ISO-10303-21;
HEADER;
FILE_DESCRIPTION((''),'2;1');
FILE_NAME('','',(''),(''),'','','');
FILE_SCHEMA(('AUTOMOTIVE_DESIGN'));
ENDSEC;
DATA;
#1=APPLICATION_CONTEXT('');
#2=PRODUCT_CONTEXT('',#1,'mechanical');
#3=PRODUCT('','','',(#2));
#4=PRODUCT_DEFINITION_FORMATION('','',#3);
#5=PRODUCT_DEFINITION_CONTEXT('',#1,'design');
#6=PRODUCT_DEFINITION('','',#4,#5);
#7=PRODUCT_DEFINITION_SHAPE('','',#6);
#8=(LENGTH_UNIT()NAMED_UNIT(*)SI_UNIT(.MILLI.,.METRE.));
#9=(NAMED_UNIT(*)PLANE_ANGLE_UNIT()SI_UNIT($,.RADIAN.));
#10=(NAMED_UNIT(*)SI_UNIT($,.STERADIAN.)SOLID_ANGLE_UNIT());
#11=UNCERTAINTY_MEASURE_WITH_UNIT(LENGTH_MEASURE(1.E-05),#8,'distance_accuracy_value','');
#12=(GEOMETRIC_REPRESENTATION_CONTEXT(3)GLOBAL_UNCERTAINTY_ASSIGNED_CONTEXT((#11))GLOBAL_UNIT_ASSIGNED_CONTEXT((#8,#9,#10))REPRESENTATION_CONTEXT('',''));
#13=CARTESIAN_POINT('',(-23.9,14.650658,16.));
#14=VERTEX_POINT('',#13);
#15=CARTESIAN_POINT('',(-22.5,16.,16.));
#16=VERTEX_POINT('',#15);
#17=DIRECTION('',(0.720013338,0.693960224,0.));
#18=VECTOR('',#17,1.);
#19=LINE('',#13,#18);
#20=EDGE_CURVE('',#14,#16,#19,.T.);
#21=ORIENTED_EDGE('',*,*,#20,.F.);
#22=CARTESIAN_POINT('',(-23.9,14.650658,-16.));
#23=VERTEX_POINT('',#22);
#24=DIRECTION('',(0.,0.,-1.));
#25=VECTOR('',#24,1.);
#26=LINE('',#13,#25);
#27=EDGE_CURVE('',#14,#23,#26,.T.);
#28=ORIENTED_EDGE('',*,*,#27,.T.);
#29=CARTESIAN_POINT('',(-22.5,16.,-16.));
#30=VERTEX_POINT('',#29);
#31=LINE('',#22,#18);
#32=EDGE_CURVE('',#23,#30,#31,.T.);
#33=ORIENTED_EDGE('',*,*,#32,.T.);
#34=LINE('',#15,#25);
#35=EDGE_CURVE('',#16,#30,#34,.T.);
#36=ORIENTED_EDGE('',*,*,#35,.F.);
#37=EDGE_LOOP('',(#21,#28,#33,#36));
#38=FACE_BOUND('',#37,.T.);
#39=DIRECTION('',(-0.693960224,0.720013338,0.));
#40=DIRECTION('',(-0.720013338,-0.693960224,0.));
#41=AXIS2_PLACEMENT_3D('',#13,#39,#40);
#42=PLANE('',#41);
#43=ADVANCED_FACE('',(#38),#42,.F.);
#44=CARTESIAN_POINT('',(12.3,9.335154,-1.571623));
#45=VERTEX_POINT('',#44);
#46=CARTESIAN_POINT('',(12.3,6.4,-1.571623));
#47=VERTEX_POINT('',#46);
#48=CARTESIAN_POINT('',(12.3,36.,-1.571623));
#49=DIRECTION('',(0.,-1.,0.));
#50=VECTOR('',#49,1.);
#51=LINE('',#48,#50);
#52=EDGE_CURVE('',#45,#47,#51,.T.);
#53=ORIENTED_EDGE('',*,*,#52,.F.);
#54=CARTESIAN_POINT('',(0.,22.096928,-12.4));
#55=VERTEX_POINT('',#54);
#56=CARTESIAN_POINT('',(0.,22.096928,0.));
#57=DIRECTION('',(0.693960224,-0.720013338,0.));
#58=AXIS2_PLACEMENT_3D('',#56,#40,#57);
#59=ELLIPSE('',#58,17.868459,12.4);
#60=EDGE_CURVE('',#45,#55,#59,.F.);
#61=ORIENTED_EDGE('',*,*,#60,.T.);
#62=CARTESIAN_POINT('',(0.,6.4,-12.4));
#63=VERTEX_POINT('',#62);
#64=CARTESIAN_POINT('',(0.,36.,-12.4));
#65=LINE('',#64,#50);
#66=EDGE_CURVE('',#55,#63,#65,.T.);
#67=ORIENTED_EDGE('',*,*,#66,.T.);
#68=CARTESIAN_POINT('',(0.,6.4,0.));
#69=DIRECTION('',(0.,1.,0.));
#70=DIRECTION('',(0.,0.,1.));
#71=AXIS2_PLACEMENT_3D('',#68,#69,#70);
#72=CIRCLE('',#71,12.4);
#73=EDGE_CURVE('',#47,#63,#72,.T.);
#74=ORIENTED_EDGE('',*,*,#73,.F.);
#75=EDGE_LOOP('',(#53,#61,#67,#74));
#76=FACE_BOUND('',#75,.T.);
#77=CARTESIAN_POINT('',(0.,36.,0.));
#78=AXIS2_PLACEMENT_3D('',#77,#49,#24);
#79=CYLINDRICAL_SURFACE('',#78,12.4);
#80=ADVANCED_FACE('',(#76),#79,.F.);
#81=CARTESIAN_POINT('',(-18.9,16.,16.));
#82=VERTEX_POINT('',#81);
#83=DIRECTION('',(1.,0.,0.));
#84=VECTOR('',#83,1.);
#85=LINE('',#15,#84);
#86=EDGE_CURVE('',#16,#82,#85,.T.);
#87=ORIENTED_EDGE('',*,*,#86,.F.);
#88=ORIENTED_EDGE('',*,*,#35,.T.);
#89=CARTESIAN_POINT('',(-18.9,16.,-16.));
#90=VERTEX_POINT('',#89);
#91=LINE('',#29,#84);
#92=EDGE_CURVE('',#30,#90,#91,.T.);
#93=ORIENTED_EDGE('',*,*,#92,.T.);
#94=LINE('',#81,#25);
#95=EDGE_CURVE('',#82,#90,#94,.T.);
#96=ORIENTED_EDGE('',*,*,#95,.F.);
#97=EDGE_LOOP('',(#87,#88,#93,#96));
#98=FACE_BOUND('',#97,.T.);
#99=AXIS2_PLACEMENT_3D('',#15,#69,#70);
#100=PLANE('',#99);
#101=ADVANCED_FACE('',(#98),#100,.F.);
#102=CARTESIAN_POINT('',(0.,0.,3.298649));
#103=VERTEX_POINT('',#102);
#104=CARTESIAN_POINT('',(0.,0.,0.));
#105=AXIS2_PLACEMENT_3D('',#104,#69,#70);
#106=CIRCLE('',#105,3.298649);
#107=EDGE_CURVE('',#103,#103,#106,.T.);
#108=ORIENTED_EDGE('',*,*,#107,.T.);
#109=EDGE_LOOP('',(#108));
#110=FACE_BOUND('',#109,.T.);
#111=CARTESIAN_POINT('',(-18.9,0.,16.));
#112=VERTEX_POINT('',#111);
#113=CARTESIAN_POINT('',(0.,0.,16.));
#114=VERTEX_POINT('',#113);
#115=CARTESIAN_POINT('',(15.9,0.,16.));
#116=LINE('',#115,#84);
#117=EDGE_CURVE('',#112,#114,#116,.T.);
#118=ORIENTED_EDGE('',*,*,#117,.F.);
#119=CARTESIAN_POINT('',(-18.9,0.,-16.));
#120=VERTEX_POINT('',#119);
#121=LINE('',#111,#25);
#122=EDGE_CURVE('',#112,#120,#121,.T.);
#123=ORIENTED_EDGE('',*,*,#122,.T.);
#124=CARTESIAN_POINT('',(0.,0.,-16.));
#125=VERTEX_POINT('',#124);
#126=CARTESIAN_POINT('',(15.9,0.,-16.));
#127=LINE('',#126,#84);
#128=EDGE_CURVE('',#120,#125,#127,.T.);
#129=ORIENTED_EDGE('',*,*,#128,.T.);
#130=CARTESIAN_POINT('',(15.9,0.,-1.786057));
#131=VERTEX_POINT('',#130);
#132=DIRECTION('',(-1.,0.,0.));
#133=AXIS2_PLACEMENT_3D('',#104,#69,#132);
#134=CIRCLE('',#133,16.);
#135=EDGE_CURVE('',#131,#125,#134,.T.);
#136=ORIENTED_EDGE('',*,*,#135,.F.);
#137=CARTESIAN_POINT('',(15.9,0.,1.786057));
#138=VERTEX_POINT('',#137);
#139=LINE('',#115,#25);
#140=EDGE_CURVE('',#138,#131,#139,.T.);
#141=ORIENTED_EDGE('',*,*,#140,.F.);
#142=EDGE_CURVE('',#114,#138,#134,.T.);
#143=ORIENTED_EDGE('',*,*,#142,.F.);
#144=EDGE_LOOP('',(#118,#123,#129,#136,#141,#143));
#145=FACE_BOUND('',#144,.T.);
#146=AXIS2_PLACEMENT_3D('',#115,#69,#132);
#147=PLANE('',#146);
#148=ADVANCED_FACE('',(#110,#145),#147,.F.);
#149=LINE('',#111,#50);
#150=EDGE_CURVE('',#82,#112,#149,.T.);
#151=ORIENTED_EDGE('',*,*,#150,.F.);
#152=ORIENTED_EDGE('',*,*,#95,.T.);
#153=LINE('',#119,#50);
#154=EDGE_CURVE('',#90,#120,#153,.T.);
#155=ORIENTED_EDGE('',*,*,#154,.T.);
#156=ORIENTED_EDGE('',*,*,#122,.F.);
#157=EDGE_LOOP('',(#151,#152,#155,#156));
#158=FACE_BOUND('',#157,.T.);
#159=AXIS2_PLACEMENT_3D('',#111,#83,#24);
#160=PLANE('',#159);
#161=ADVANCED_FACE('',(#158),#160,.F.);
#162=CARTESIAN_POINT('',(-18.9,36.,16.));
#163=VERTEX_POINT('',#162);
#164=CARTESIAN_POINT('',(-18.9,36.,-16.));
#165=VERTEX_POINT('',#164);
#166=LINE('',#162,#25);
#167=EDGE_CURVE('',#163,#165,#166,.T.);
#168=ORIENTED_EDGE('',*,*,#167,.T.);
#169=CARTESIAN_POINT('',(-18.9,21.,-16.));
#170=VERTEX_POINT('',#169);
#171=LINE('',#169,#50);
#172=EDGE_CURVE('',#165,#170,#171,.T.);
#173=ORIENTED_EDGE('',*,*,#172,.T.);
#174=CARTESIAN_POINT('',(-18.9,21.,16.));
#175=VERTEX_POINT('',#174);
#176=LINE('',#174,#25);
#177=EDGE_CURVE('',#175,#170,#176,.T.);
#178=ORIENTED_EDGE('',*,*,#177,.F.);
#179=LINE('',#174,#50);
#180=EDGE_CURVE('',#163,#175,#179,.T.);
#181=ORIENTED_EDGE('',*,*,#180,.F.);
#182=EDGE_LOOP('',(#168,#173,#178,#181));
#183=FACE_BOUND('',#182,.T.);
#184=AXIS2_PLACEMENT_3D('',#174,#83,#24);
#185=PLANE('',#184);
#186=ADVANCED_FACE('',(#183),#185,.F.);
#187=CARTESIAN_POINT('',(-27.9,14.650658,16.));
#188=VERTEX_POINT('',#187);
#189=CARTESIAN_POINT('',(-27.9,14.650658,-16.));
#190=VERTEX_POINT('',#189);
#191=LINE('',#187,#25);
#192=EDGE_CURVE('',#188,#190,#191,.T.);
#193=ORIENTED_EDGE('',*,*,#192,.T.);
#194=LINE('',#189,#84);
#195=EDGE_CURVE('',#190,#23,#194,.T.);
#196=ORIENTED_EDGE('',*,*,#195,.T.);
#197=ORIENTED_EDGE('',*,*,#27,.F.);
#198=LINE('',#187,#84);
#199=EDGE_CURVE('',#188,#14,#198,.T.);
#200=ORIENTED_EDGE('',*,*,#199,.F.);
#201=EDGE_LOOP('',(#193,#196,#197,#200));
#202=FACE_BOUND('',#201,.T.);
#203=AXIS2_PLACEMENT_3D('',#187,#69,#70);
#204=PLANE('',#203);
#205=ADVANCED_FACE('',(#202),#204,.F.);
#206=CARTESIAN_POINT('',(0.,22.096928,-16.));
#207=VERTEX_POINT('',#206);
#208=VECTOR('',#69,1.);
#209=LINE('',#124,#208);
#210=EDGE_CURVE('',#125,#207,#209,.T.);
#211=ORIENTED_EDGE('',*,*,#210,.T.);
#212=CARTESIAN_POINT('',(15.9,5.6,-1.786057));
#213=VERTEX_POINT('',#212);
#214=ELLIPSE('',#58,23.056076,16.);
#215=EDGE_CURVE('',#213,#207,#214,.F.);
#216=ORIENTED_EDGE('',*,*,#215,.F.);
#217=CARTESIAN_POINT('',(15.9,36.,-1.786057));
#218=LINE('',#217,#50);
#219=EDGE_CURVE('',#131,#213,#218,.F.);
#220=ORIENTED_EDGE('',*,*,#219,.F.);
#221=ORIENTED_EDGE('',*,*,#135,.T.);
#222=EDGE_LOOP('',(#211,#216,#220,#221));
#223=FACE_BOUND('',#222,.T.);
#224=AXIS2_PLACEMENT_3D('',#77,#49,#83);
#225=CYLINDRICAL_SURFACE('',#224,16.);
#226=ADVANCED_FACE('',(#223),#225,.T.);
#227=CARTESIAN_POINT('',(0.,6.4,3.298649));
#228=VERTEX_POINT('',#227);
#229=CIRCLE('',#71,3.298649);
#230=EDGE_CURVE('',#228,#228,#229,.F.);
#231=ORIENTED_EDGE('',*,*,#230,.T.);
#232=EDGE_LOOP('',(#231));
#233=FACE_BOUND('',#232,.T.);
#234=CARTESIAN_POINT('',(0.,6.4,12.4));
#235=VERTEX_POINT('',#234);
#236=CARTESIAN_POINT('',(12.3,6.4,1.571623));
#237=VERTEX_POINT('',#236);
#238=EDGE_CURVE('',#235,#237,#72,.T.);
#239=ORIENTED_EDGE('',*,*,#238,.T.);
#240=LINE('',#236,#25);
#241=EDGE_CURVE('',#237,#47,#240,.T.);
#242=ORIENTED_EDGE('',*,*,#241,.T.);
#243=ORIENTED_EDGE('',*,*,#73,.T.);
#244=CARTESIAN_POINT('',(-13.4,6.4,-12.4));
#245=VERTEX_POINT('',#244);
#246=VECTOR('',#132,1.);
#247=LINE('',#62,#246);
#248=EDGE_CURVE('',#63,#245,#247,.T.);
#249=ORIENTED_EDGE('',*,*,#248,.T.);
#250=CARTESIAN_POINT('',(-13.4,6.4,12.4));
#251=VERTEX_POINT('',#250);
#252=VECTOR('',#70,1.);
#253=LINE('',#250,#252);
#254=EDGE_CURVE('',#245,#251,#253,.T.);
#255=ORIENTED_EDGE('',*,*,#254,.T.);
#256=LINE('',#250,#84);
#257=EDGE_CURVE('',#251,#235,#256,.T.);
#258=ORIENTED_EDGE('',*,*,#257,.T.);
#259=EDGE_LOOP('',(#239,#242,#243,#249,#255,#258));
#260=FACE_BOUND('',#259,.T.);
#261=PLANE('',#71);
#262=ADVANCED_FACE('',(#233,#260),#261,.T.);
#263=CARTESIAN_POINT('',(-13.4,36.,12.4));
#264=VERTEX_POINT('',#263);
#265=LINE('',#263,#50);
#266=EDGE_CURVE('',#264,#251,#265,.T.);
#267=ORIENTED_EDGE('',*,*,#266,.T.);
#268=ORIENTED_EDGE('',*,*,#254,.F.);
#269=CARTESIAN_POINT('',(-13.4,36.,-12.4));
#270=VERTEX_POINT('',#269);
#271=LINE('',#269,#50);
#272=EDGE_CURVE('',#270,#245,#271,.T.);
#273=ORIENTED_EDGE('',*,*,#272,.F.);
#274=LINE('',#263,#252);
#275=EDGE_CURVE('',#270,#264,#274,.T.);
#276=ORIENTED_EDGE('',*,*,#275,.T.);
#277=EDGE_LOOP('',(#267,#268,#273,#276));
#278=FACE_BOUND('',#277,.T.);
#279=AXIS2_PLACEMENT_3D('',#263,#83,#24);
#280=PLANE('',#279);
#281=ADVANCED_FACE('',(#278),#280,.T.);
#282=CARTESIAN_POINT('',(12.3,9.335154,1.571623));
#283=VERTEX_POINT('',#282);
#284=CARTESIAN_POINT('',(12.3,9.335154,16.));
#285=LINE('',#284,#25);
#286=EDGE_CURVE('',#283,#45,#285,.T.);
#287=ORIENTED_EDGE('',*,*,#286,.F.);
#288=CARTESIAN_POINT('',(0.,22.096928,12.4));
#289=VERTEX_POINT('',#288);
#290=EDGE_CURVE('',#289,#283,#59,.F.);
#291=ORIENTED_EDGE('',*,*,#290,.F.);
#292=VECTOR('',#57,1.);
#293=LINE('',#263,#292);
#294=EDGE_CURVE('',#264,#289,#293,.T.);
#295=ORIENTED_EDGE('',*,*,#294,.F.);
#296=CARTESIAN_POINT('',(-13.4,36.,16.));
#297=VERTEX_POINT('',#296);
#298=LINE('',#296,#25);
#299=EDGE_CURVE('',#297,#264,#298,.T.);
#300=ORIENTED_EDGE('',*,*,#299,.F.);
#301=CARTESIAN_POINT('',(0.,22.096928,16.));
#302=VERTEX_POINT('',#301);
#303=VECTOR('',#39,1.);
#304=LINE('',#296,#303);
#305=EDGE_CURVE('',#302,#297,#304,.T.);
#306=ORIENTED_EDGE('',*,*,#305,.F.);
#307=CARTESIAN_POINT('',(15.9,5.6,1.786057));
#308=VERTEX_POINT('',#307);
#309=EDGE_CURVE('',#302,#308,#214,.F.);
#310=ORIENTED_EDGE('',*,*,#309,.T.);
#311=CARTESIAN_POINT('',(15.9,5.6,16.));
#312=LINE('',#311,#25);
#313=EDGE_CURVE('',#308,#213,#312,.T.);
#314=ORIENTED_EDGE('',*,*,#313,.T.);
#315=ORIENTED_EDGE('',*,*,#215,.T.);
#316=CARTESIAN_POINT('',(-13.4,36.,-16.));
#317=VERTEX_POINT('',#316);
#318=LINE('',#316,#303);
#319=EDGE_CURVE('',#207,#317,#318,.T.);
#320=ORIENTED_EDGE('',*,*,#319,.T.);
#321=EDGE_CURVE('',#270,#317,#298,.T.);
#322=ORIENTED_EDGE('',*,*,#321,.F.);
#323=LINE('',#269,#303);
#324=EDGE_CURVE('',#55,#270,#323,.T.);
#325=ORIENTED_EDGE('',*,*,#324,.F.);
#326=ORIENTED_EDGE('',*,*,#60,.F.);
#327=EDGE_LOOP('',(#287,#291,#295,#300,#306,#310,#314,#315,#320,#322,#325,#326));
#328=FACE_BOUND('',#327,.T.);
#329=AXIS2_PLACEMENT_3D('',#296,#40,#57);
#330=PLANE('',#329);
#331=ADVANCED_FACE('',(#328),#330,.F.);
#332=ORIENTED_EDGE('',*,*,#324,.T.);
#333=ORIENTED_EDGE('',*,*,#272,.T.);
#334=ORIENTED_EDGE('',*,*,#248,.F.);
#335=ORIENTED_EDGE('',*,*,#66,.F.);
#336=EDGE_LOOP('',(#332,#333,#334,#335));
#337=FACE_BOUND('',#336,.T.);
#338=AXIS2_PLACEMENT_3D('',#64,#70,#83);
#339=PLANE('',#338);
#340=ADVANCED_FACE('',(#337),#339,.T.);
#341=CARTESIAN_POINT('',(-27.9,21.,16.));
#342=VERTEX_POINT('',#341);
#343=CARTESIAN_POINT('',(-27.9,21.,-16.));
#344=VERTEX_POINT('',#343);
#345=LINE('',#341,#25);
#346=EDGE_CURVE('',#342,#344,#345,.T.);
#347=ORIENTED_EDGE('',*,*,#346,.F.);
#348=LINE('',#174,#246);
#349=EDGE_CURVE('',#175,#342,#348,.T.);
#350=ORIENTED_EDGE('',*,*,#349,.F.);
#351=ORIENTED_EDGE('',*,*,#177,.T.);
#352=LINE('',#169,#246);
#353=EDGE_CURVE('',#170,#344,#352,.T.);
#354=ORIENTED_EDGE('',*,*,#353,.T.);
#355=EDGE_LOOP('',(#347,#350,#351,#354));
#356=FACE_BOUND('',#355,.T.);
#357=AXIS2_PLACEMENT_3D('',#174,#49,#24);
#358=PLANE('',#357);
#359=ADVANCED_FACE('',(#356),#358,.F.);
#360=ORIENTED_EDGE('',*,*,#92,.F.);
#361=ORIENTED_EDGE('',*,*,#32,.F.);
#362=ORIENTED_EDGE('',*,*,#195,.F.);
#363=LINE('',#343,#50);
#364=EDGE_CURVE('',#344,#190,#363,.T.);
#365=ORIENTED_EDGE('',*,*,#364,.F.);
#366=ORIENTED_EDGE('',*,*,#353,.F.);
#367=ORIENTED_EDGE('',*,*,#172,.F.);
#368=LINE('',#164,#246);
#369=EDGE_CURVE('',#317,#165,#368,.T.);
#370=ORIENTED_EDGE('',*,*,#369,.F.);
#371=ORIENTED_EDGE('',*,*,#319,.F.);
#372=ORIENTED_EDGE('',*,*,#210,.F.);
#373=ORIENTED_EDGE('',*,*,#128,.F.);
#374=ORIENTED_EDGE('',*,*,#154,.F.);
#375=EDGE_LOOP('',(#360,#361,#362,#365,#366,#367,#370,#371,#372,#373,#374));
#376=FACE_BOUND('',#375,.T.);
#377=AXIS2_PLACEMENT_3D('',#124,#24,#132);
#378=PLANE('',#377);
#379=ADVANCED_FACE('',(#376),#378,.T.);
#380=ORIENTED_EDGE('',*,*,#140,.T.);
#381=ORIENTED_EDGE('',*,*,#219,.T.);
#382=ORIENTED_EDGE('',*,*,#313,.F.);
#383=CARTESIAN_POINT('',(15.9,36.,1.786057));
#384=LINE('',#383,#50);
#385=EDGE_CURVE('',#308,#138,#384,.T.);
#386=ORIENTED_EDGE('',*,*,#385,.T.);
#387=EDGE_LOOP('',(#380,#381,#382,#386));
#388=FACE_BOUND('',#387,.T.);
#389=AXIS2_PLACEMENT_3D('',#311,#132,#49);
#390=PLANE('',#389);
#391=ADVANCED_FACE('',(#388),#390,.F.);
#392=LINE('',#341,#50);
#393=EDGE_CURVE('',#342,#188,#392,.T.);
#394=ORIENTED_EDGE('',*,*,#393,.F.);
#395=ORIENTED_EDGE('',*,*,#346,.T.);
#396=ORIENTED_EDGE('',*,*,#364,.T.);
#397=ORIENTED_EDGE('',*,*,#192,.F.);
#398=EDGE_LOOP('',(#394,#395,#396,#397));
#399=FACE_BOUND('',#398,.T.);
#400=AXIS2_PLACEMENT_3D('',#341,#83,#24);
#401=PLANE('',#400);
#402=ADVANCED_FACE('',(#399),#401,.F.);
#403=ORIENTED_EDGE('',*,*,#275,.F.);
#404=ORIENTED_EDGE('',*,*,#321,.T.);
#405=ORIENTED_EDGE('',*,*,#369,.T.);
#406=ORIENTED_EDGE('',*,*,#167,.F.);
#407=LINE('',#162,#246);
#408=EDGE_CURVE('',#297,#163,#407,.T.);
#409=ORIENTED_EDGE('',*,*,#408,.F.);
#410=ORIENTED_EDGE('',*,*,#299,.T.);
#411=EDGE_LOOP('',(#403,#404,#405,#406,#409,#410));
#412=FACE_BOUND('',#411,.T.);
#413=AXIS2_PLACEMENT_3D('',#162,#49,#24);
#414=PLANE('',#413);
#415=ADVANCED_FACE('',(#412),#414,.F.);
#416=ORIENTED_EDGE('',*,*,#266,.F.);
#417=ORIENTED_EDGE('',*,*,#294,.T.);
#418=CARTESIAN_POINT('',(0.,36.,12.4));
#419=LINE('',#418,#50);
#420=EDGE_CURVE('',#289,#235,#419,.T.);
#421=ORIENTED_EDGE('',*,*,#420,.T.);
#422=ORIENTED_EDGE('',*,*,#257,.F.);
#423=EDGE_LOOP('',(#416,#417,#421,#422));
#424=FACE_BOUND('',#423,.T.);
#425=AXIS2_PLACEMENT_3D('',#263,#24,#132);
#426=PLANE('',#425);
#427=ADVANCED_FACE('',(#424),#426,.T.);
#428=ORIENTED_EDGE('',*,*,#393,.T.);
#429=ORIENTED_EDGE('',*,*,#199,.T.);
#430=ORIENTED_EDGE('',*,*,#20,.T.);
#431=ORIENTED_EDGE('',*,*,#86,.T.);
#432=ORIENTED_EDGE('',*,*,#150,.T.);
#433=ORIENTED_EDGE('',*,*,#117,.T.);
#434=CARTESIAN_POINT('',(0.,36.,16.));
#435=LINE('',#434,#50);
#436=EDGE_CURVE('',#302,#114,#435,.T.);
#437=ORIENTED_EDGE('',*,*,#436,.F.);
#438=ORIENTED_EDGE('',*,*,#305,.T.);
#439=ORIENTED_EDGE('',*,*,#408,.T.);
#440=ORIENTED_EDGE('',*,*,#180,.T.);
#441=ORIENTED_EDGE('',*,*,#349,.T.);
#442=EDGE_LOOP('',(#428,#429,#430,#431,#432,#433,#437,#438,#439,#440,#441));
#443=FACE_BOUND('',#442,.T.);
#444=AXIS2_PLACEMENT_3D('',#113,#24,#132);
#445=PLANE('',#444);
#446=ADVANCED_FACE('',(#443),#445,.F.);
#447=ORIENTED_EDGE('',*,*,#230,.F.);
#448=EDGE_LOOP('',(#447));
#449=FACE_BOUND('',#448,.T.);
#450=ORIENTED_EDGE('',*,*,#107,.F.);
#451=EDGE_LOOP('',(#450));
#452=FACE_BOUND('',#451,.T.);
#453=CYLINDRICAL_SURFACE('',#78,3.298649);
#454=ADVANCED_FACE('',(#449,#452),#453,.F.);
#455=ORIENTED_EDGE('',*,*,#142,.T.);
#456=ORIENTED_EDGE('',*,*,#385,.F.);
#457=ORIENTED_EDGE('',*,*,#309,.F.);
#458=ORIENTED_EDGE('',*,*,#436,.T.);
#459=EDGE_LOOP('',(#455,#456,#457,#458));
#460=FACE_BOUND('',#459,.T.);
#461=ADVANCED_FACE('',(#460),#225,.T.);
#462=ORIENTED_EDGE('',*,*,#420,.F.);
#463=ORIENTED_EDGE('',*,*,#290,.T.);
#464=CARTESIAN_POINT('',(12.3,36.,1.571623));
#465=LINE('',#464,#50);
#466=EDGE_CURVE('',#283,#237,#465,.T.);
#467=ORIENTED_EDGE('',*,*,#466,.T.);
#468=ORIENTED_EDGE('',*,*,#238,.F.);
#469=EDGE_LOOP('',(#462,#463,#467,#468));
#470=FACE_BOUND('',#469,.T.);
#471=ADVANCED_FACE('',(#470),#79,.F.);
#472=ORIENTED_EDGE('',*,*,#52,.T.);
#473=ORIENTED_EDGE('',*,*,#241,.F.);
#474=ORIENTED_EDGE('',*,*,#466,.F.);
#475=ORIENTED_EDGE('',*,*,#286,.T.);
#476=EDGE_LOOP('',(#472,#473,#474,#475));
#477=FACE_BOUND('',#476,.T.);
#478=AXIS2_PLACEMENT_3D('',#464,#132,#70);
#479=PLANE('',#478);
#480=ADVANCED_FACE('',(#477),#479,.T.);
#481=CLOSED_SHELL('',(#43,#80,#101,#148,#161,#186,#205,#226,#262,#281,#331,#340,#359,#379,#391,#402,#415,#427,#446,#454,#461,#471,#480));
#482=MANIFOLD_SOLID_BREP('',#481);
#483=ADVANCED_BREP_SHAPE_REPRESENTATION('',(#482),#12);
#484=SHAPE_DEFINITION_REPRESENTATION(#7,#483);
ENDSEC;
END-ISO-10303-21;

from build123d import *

# Parameters (mm, degrees)
BOSS_EXTRUDE1_DEPTH = 16
CUT_EXTRUDE1_DEPTH  = 49.274320296
CUT_EXTRUDE2_START  = 6.4
CUT_EXTRUDE2_DEPTH  = 42.874320296
SKETCH4_R           = 3.298649114
CUT_EXTRUDE3_DEPTH  = 49.274320296


with BuildPart() as part:
    # Sketch1 → Boss-Extrude1 (new, symmetric)
    with BuildSketch(Plane.XY):
        Polygon((15.9, 0), (-18.9, 0), (-18.9, 16), (-22.5, 16), (-23.9, 14.650657895), (-27.9, 14.650657895), (-27.9, 21), (-18.9, 21), (-18.9, 36), (-13.4, 36), (15.9, 5.6), align=None)
    extrude(amount=BOSS_EXTRUDE1_DEPTH, both=True)

    # Sketch2 → Cut-Extrude1 (cut, through all)
    with BuildSketch(Plane.XZ):
        with BuildLine():
            Line((0, 16), (0, 22.397200509))
            Line((0, 22.397200509), (24.633267537, 22.397200509))
            Line((24.633267537, 22.397200509), (24.633267537, -22.936337669))
            Line((24.633267537, -22.936337669), (0, -22.936337669))
            Line((0, -22.936337669), (0, -16))
            ThreePointArc((0, -16), (16, 0), (0, 16))
        make_face()
    extrude(amount=-CUT_EXTRUDE1_DEPTH, mode=Mode.SUBTRACT)

    # Sketch3 → Cut-Extrude2 (cut, through all)
    with BuildSketch(Plane(origin=(0, 0, 0), x_dir=(1, 0, 0), z_dir=(0, 1, 0)).offset(CUT_EXTRUDE2_START)):
        with BuildLine():
            Line((-13.4, -12.4), (-13.4, 12.4))
            Line((-13.4, 12.4), (0, 12.4))
            ThreePointArc((0, 12.4), (8.193652125, 9.307204997), (12.3, 1.571623365))
            Line((12.3, 1.571623365), (12.3, -1.571623365))
            ThreePointArc((12.3, -1.571623365), (8.193652125, -9.307204997), (0, -12.4))
            Line((0, -12.4), (-13.4, -12.4))
        make_face()
    extrude(amount=CUT_EXTRUDE2_DEPTH, mode=Mode.SUBTRACT)

    # Sketch4 → Cut-Extrude3 (cut, through all)
    with BuildSketch(Plane(origin=(0, 0, 0), x_dir=(1, 0, 0), z_dir=(0, 1, 0))):
        with Locations(Location((0, 0, 0), (0, 0, 270))):
            Circle(SKETCH4_R)
    extrude(amount=CUT_EXTRUDE3_DEPTH, mode=Mode.SUBTRACT)


solid = part.part
